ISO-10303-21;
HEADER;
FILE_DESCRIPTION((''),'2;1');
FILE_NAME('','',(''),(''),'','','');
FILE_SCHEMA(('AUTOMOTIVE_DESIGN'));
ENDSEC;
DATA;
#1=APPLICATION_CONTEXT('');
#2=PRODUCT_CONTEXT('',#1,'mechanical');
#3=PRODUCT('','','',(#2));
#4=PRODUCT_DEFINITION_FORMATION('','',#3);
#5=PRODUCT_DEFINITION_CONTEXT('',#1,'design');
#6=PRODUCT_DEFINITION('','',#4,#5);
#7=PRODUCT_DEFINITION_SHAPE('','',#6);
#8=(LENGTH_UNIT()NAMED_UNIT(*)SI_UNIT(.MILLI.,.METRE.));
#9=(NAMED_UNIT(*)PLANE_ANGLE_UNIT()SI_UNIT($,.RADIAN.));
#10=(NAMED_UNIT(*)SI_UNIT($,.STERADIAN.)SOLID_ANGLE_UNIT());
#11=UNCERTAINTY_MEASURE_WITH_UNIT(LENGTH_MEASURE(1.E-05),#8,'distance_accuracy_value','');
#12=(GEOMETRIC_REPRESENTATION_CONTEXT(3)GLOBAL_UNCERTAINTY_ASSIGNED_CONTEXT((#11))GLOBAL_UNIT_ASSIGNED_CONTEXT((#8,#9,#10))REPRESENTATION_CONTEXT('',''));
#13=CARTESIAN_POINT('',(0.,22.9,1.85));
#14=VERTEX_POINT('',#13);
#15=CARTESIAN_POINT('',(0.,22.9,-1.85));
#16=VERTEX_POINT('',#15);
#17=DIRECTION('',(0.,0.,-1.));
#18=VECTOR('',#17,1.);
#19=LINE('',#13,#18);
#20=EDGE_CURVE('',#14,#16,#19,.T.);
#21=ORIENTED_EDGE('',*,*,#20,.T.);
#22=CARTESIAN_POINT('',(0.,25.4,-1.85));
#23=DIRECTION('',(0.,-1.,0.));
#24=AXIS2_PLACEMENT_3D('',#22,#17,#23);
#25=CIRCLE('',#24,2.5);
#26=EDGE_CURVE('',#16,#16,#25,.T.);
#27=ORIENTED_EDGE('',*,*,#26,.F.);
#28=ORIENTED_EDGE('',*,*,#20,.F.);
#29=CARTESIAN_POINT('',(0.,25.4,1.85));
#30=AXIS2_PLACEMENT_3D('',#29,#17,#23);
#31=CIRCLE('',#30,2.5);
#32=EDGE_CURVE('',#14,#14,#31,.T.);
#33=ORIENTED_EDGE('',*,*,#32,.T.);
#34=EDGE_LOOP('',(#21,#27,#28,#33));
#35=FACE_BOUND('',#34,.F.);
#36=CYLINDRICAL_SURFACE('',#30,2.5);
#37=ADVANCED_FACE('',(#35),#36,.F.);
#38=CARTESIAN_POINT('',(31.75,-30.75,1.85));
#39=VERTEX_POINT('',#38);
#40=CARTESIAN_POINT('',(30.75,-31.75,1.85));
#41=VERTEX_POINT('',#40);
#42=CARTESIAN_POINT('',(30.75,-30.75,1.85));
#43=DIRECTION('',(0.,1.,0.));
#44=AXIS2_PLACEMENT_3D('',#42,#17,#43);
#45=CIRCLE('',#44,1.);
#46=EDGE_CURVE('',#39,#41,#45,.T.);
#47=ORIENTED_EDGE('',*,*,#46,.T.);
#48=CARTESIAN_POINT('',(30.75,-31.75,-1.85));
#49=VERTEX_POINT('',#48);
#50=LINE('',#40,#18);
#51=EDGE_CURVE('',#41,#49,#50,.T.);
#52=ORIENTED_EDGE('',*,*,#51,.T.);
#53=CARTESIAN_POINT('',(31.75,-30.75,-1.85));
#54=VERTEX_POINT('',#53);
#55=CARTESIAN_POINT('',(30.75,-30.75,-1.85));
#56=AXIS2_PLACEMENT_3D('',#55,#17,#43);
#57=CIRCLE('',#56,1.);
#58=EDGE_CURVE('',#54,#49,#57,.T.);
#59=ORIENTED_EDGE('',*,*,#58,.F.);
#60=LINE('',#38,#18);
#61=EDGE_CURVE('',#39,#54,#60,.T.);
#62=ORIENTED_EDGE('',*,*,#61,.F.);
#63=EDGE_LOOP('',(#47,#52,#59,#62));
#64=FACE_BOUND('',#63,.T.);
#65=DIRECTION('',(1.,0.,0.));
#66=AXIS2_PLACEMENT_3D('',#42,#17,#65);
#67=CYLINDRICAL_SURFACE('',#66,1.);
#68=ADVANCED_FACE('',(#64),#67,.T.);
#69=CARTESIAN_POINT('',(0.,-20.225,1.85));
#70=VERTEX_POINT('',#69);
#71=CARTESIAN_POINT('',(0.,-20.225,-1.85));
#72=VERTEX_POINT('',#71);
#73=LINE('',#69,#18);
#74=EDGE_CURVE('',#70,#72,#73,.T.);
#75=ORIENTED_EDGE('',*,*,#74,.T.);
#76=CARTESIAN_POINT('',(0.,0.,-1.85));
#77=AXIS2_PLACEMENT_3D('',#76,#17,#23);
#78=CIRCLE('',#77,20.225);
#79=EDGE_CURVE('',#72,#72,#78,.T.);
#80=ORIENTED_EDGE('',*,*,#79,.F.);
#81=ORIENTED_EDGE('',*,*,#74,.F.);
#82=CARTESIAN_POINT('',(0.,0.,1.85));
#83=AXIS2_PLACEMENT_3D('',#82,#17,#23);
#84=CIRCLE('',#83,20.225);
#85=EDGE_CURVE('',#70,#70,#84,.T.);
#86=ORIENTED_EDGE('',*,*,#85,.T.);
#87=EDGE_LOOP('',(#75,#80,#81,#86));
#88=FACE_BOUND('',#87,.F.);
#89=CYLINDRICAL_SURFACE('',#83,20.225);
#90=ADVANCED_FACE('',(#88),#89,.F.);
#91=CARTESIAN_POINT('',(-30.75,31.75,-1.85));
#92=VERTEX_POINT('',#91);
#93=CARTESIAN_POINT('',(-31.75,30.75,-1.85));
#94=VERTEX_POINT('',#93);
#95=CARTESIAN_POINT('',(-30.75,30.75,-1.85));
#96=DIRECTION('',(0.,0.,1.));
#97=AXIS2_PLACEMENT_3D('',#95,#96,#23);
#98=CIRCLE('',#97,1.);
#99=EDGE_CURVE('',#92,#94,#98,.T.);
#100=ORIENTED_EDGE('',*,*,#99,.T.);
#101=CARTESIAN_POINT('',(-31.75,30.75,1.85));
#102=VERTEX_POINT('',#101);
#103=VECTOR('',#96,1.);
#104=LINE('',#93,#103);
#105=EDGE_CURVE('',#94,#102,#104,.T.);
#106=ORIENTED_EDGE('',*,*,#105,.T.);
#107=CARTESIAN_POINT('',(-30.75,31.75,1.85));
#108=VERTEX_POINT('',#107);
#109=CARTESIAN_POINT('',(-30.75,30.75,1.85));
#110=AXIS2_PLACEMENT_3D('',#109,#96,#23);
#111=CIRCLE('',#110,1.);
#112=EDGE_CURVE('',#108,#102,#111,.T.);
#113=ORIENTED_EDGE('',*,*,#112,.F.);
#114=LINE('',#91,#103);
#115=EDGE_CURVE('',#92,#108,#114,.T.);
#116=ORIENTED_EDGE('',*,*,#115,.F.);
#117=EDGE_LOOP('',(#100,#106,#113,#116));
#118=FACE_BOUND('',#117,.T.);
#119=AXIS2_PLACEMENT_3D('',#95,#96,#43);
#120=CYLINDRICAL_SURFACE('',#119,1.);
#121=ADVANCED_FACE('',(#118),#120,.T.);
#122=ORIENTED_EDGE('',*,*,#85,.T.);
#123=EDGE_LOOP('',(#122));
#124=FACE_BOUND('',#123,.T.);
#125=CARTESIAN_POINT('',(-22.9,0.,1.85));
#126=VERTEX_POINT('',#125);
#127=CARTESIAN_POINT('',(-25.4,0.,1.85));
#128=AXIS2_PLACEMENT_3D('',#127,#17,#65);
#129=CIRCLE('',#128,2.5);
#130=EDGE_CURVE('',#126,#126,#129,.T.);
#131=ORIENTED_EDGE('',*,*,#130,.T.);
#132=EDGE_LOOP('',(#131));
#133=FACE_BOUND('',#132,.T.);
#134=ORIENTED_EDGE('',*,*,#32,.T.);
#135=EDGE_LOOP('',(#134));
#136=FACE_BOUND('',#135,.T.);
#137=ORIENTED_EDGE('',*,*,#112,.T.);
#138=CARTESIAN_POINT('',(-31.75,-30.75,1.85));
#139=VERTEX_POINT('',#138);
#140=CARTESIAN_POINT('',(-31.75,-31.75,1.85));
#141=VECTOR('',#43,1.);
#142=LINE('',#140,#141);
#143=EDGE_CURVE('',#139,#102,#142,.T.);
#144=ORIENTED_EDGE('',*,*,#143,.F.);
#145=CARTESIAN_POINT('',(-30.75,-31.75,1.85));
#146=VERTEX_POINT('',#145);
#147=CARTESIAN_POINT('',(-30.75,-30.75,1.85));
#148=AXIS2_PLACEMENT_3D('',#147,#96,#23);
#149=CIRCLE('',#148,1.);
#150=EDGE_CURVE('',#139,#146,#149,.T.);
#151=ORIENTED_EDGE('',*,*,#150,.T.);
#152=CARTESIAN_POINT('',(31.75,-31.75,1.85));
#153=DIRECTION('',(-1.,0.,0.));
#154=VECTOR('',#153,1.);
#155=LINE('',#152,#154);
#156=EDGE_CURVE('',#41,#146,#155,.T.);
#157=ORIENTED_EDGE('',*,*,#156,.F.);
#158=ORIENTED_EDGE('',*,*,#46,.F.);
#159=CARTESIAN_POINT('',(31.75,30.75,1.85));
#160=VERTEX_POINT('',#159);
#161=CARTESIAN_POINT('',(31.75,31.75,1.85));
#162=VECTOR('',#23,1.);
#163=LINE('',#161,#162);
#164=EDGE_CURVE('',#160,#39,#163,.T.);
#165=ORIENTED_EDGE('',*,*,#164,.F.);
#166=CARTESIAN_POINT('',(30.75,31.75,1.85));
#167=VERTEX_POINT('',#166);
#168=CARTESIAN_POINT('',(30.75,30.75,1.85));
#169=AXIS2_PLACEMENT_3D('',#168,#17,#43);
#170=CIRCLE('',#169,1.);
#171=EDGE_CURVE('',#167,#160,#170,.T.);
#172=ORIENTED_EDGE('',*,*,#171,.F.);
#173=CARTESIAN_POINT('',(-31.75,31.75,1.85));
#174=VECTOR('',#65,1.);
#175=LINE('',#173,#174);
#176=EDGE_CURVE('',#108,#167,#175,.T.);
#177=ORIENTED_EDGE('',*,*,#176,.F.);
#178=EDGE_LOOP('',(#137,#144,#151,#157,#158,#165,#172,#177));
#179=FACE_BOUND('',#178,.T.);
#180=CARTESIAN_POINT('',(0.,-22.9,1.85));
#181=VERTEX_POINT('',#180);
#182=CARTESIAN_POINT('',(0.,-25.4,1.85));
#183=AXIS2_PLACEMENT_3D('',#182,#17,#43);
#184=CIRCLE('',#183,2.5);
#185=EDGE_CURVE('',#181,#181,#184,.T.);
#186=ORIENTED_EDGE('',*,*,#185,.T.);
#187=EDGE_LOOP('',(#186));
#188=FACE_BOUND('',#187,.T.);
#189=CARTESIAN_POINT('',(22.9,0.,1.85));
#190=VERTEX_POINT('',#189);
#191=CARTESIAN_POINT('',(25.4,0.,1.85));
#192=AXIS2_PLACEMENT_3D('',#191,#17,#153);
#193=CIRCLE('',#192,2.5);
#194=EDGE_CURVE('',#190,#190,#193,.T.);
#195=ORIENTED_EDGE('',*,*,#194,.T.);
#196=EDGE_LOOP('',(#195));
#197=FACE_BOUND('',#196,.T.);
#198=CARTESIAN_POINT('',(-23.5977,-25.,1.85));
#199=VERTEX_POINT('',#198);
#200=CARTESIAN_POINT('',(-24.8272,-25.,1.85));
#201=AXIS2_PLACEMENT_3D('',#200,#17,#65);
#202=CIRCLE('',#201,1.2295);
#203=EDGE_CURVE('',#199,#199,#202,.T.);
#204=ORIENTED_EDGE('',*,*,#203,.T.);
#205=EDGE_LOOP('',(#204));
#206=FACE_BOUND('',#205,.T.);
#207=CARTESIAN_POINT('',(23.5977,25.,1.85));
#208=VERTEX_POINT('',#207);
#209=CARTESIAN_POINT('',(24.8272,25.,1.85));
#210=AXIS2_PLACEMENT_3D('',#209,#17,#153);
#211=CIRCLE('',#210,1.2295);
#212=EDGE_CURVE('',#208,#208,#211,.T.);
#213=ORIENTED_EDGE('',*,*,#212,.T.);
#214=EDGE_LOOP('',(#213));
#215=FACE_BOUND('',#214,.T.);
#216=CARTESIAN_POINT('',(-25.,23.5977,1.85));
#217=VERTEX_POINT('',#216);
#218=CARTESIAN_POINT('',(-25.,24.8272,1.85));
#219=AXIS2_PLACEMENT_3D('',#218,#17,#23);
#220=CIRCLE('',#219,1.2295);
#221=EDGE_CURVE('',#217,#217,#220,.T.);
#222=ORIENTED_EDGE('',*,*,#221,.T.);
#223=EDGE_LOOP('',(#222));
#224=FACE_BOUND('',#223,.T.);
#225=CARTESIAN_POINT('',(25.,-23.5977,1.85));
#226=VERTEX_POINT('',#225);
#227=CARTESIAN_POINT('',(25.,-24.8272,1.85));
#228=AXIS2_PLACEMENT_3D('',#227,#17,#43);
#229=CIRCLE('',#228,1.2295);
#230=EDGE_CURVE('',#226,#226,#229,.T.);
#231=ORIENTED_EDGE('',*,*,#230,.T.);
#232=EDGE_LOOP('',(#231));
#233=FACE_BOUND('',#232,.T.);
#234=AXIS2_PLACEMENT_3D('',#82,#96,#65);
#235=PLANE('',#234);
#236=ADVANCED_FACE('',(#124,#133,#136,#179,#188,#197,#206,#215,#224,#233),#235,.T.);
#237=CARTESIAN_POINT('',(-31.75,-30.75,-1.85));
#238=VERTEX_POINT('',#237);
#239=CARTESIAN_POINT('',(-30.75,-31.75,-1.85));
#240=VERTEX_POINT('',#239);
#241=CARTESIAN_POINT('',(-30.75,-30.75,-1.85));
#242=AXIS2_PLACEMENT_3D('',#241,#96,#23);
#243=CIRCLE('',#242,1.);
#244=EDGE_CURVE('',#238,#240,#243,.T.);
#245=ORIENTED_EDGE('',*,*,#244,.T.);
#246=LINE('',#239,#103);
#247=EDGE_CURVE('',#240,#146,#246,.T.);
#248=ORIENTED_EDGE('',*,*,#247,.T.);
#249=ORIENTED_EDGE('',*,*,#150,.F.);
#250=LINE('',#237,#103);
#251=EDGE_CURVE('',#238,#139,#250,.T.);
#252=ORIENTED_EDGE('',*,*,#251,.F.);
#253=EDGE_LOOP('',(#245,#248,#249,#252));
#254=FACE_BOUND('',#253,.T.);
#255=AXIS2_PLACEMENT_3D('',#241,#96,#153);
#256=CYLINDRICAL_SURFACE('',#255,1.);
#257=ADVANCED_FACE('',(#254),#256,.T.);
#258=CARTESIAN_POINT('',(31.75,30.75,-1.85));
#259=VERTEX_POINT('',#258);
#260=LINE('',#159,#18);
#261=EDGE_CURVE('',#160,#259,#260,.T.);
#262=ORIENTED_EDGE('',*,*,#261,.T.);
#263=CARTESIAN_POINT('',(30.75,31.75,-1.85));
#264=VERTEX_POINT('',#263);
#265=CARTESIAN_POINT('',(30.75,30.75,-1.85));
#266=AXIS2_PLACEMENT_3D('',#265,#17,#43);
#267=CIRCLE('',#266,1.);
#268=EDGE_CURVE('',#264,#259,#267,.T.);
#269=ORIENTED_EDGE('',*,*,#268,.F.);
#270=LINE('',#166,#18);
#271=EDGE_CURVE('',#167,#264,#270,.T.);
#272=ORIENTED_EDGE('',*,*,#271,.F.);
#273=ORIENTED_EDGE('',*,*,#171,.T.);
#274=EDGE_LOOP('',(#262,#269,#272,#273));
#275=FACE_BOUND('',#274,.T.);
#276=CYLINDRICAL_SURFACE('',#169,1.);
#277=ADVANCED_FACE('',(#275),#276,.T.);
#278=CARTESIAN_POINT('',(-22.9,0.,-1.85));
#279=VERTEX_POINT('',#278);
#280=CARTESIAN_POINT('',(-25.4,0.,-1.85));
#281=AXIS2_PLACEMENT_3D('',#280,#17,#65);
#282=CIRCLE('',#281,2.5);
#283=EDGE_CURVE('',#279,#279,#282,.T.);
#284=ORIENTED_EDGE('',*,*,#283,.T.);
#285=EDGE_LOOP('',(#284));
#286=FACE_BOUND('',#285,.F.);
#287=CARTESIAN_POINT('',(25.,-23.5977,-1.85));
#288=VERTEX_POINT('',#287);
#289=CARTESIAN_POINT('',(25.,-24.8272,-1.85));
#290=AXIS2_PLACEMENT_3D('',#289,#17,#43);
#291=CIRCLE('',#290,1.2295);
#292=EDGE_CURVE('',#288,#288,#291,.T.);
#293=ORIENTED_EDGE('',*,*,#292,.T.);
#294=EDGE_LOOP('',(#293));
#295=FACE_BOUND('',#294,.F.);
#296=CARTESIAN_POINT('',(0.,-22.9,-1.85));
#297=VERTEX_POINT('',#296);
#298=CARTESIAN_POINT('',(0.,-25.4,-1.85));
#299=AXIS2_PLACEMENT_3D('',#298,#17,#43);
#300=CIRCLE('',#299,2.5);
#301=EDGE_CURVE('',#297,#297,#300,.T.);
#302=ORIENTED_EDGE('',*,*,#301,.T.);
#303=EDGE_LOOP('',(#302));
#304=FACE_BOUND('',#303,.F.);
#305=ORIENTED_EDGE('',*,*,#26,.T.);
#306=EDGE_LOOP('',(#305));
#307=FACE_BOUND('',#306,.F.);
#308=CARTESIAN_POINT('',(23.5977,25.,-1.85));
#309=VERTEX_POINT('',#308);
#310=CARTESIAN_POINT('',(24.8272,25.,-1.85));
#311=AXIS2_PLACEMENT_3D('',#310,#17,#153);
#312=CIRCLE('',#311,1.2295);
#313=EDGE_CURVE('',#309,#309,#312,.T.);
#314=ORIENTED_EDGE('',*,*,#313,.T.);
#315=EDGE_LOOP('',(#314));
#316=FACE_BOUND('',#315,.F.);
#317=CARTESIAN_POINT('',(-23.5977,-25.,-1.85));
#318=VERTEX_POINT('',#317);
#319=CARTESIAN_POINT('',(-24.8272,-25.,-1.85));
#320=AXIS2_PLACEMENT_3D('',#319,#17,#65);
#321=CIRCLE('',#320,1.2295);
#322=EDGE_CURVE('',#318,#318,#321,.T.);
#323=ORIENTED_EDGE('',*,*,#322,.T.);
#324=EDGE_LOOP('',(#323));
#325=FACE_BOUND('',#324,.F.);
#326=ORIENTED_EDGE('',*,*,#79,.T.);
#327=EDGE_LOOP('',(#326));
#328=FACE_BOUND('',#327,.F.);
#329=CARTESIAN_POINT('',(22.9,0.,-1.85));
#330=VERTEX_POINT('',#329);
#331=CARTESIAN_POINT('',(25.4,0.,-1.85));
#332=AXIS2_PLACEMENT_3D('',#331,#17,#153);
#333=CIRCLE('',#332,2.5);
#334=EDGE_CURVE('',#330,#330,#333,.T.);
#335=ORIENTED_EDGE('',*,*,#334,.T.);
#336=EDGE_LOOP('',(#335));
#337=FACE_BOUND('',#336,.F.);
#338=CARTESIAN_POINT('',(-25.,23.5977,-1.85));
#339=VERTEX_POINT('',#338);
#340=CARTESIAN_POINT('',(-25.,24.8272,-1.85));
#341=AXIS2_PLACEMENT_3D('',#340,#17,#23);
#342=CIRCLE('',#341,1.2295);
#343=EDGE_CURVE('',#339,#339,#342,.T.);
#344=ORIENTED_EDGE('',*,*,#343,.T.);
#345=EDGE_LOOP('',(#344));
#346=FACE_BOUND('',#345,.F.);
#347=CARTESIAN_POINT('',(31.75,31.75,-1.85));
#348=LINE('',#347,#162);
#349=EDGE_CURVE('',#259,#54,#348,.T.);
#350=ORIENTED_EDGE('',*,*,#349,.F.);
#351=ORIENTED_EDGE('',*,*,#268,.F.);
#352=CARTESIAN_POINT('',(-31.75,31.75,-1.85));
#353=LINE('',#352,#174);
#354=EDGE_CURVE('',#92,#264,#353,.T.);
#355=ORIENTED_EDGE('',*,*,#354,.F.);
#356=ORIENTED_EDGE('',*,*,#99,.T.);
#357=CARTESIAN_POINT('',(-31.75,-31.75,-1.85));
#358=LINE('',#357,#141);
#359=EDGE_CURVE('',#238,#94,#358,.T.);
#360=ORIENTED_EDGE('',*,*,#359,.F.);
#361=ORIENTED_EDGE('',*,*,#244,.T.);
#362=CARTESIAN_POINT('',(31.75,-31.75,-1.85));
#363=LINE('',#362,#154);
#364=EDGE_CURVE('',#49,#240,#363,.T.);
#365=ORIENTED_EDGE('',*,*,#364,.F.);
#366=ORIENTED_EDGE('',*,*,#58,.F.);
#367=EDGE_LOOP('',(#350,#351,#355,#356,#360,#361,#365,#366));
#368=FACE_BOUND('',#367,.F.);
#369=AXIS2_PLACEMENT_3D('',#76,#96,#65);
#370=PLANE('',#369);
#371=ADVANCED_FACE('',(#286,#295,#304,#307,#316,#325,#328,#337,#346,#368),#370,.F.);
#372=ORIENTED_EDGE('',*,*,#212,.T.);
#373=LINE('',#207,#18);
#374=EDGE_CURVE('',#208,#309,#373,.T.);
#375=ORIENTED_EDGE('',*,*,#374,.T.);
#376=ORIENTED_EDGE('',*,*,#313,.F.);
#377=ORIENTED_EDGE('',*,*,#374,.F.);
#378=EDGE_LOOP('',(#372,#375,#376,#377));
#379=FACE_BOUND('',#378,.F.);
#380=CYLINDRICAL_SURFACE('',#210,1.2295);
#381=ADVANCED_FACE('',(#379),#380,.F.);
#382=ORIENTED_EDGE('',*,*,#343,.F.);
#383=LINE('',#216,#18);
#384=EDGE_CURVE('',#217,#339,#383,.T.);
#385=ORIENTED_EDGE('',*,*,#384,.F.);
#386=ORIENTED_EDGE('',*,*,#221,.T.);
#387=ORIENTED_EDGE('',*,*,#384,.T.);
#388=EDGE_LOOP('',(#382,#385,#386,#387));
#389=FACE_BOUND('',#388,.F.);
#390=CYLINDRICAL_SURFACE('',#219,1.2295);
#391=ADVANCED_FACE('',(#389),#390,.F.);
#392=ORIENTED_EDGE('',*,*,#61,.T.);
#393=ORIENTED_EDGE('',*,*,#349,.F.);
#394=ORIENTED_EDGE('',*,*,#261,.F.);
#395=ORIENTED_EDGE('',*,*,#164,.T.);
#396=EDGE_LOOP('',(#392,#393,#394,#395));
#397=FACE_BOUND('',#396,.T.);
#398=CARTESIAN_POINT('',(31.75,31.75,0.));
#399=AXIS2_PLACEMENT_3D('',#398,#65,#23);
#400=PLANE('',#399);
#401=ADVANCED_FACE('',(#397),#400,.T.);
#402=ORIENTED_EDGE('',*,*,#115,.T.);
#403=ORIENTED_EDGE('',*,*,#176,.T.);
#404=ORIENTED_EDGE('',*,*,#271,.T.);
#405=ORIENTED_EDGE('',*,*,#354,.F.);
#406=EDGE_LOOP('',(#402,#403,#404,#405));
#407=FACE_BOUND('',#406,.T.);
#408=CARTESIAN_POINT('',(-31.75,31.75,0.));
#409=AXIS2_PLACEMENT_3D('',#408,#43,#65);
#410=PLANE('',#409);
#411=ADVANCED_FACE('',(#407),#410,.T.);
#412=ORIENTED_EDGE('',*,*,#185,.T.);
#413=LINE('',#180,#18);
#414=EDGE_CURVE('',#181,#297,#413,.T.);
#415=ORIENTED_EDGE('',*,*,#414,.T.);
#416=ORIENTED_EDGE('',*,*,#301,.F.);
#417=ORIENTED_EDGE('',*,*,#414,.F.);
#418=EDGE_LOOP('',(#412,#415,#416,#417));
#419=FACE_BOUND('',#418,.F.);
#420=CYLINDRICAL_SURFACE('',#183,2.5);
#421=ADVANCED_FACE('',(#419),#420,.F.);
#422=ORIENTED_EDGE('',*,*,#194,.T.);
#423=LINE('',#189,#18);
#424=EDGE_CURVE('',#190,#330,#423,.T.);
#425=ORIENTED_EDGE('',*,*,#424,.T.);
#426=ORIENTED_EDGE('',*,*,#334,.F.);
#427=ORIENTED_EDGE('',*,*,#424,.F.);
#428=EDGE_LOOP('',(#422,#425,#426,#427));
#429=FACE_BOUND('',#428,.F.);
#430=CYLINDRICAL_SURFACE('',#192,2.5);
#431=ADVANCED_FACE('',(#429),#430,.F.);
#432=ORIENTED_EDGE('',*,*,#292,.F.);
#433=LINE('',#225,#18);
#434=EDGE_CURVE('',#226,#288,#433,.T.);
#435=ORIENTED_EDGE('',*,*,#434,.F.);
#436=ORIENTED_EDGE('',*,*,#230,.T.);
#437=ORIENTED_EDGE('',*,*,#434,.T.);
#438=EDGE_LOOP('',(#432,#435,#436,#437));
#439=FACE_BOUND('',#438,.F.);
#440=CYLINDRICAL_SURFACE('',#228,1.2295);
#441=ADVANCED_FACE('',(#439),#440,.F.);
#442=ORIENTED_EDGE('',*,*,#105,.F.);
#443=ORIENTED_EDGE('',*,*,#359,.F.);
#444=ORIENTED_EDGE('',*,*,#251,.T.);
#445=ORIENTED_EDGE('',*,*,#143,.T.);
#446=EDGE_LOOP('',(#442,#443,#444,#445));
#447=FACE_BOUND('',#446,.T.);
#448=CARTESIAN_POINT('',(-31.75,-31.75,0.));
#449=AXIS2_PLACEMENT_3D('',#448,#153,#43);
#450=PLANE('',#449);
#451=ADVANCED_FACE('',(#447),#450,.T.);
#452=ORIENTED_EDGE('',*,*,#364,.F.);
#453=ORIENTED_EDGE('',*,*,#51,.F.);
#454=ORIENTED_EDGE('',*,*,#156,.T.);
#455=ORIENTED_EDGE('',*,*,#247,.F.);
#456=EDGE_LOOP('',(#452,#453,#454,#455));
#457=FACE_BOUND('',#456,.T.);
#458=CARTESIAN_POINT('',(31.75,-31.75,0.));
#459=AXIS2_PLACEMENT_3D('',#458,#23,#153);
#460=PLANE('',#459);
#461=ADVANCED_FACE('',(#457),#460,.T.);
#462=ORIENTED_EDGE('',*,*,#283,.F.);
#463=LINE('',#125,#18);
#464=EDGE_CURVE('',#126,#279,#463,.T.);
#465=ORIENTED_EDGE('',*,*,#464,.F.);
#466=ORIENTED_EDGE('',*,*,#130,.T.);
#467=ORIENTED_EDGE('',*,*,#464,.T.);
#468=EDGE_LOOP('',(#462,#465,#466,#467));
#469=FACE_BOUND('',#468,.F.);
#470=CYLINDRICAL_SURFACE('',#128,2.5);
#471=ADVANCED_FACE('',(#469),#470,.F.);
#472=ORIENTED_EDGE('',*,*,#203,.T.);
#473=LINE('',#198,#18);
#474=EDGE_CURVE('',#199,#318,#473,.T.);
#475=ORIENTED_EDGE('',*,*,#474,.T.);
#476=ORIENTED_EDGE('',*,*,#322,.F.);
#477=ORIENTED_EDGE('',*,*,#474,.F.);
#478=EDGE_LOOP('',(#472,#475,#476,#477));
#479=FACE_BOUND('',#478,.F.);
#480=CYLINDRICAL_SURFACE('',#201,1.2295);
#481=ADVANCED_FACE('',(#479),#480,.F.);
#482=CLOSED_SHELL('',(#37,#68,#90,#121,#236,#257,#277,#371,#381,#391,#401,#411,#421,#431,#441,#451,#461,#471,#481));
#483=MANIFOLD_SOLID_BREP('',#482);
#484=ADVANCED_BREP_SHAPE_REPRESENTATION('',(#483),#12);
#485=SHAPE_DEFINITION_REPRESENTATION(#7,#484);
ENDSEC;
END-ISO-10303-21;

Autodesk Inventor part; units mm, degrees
ref_plane "YZ Plane" through (0, 0, 0) normal (1, 0, 0) x (0, 1, 0)
ref_plane "XZ Plane" through (0, 0, 0) normal (0, 1, 0) x (-1, 0, 0)
ref_plane "XY Plane" through (0, 0, 0) normal (0, 0, 1) x (1, 0, 0)
sketch "Sketch1" plane through (0, 0, 0) normal (0, 0, 1) x (1, 0, 0)
  line L0 (-31.75, 31.75) -> (31.75, 31.75)
  line L1 (31.75, 31.75) -> (31.75, -31.75)
  line L2 (31.75, -31.75) -> (-31.75, -31.75)
  line L3 (-31.75, -31.75) -> (-31.75, 31.75)
  line L4 (0, 0) -> (31.75, 0) construction
  line L5 (0, 0) -> (-31.75, 0) construction
  line L6 (0, 0) -> (0, 31.75) construction
  line L7 (0, 0) -> (0, -31.75) construction
  dimension "d0" = 63.5
  dimension "d1" = 63.5
extrude "Extrusion1" add sketch "Sketch1" along normal mid plane 3.7
sketch "Sketch2" plane through (0, 0, 1.85) normal (0, 0, 1) x (1, 0, 0)
  point P0 (0, 0)
hole "Hole1" at (0, 0, 1.85) direction (0, 0, -1) diameter 40.45 end through all
sketch "Sketch3" plane through (0, 0, 1.85) normal (0, 0, 1) x (1, 0, 0)
  circle A0 centre (0, 0) radius 20.225 projected
  point P0 (0, 25.4)
  dimension "d11" = 25.4
hole "Hole2" at (0, 25.4, 1.85) direction (0, 0, -1) diameter 5 end through all
pattern_circular "Circular Pattern1" count 4 over 360 about axis through (0, 0, -88.0288) along (0, 0, 1) of "Hole2"
sketch "Sketch4" plane through (0, 0, 1.85) normal (0, 0, 1) x (1, 0, 0)
  circle A0 centre (-25.4, 0) radius 2.5 projected
  circle A1 centre (0, 25.4) radius 2.5 projected
  point P0 (-25, 24.8272)
  dimension "d24" = 24.8272
  dimension "d25" = 25
hole "Hole3" at (-25, 24.8272, 1.85) direction (0, 0, -1) diameter 2.459 end through all thread size "M3x0.5" class "6H" standard "ANSI Metric M Profile"
pattern_circular "Circular Pattern2" count 4 over 360 about axis through (0, 0, -88.0288) along (0, 0, 1) of "Hole3"
fillet "Fillet1" radius 1 4 edges at (-31.75, 31.75, 0) (-31.75, -31.75, 0) (31.75, -31.75, 0) (31.75, 31.75, 0)
properties part number "BB2-InterfacePlate" material "Aluminum-6061"
